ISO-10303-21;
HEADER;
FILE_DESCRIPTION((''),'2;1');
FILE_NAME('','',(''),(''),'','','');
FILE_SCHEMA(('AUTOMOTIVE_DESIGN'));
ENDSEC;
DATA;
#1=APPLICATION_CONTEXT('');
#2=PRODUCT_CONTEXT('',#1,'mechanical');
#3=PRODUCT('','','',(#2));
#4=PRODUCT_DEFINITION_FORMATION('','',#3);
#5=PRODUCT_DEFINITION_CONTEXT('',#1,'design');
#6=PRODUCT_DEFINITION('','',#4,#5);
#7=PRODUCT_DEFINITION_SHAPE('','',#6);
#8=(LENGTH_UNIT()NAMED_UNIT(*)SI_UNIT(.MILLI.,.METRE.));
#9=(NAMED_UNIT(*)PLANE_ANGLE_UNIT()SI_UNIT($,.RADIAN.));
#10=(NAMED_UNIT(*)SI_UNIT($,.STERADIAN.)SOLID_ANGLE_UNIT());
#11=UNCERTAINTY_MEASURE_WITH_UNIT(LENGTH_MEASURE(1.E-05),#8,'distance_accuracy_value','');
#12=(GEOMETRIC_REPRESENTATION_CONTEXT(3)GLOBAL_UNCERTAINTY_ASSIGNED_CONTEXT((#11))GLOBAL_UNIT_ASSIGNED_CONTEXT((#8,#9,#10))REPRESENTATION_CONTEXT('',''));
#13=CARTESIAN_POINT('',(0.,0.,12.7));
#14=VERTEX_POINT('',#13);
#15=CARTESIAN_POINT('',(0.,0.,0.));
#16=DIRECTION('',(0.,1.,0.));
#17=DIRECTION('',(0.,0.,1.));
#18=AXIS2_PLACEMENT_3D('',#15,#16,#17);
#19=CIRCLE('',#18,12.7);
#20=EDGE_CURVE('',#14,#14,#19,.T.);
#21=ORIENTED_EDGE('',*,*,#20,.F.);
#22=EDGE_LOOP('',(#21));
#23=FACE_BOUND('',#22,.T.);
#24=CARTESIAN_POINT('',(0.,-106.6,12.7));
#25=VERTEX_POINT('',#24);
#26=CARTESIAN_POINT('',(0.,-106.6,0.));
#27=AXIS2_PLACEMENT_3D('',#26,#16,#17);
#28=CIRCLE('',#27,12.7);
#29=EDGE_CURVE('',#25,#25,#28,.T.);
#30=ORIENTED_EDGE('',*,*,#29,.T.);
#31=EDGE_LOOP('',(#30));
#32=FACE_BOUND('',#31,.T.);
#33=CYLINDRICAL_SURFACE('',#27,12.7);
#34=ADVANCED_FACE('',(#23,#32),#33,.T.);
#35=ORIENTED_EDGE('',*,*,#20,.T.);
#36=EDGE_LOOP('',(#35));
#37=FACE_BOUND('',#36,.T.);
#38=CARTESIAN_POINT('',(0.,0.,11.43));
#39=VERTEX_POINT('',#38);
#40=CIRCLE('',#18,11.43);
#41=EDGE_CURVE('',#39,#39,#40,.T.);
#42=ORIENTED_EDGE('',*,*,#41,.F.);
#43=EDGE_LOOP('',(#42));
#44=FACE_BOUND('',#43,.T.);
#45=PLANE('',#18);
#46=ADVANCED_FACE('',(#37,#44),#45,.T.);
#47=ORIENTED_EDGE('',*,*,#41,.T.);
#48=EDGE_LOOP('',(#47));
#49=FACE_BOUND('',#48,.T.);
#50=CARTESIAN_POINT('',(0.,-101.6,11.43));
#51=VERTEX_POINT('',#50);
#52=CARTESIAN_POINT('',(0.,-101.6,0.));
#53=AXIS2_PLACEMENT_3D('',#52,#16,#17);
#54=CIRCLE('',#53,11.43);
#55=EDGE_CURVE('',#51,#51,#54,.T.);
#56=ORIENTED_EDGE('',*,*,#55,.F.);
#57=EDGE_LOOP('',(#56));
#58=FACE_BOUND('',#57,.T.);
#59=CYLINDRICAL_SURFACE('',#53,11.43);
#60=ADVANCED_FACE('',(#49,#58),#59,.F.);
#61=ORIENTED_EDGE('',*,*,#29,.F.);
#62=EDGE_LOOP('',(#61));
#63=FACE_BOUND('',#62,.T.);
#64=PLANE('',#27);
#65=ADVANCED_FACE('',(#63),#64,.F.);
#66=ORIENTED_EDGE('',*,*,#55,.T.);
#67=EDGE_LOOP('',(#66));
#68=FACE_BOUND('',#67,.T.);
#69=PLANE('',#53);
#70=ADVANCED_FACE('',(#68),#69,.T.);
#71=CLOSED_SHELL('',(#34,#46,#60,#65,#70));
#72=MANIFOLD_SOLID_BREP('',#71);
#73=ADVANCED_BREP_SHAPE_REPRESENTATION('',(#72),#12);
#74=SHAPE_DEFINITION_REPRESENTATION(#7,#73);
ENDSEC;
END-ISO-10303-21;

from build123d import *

# Parameters (mm, degrees)
SKETCH2_R           = 12.7
BOSS_EXTRUDE1_DEPTH = 106.6
SKETCH3_R           = 11.43
CUT_EXTRUDE1_DEPTH  = 101.6


with BuildPart() as part:
    # Sketch2 → Boss-Extrude1 (new body)
    with BuildSketch(Plane(origin=(0, 0, 0), x_dir=(1, 0, 0), z_dir=(0, 1, 0))):
        with Locations(Location((0, 0, 0), (0, 0, 270))):
            Circle(SKETCH2_R)
    extrude(amount=-BOSS_EXTRUDE1_DEPTH)

    # Sketch3 → Cut-Extrude1 (cut)
    with BuildSketch(Plane(origin=(0, 0, 0), x_dir=(1, 0, 0), z_dir=(0, 1, 0))):
        with Locations(Location((0, 0, 0), (0, 0, 270))):
            Circle(SKETCH3_R)
    extrude(amount=-CUT_EXTRUDE1_DEPTH, mode=Mode.SUBTRACT)


solid = part.part
